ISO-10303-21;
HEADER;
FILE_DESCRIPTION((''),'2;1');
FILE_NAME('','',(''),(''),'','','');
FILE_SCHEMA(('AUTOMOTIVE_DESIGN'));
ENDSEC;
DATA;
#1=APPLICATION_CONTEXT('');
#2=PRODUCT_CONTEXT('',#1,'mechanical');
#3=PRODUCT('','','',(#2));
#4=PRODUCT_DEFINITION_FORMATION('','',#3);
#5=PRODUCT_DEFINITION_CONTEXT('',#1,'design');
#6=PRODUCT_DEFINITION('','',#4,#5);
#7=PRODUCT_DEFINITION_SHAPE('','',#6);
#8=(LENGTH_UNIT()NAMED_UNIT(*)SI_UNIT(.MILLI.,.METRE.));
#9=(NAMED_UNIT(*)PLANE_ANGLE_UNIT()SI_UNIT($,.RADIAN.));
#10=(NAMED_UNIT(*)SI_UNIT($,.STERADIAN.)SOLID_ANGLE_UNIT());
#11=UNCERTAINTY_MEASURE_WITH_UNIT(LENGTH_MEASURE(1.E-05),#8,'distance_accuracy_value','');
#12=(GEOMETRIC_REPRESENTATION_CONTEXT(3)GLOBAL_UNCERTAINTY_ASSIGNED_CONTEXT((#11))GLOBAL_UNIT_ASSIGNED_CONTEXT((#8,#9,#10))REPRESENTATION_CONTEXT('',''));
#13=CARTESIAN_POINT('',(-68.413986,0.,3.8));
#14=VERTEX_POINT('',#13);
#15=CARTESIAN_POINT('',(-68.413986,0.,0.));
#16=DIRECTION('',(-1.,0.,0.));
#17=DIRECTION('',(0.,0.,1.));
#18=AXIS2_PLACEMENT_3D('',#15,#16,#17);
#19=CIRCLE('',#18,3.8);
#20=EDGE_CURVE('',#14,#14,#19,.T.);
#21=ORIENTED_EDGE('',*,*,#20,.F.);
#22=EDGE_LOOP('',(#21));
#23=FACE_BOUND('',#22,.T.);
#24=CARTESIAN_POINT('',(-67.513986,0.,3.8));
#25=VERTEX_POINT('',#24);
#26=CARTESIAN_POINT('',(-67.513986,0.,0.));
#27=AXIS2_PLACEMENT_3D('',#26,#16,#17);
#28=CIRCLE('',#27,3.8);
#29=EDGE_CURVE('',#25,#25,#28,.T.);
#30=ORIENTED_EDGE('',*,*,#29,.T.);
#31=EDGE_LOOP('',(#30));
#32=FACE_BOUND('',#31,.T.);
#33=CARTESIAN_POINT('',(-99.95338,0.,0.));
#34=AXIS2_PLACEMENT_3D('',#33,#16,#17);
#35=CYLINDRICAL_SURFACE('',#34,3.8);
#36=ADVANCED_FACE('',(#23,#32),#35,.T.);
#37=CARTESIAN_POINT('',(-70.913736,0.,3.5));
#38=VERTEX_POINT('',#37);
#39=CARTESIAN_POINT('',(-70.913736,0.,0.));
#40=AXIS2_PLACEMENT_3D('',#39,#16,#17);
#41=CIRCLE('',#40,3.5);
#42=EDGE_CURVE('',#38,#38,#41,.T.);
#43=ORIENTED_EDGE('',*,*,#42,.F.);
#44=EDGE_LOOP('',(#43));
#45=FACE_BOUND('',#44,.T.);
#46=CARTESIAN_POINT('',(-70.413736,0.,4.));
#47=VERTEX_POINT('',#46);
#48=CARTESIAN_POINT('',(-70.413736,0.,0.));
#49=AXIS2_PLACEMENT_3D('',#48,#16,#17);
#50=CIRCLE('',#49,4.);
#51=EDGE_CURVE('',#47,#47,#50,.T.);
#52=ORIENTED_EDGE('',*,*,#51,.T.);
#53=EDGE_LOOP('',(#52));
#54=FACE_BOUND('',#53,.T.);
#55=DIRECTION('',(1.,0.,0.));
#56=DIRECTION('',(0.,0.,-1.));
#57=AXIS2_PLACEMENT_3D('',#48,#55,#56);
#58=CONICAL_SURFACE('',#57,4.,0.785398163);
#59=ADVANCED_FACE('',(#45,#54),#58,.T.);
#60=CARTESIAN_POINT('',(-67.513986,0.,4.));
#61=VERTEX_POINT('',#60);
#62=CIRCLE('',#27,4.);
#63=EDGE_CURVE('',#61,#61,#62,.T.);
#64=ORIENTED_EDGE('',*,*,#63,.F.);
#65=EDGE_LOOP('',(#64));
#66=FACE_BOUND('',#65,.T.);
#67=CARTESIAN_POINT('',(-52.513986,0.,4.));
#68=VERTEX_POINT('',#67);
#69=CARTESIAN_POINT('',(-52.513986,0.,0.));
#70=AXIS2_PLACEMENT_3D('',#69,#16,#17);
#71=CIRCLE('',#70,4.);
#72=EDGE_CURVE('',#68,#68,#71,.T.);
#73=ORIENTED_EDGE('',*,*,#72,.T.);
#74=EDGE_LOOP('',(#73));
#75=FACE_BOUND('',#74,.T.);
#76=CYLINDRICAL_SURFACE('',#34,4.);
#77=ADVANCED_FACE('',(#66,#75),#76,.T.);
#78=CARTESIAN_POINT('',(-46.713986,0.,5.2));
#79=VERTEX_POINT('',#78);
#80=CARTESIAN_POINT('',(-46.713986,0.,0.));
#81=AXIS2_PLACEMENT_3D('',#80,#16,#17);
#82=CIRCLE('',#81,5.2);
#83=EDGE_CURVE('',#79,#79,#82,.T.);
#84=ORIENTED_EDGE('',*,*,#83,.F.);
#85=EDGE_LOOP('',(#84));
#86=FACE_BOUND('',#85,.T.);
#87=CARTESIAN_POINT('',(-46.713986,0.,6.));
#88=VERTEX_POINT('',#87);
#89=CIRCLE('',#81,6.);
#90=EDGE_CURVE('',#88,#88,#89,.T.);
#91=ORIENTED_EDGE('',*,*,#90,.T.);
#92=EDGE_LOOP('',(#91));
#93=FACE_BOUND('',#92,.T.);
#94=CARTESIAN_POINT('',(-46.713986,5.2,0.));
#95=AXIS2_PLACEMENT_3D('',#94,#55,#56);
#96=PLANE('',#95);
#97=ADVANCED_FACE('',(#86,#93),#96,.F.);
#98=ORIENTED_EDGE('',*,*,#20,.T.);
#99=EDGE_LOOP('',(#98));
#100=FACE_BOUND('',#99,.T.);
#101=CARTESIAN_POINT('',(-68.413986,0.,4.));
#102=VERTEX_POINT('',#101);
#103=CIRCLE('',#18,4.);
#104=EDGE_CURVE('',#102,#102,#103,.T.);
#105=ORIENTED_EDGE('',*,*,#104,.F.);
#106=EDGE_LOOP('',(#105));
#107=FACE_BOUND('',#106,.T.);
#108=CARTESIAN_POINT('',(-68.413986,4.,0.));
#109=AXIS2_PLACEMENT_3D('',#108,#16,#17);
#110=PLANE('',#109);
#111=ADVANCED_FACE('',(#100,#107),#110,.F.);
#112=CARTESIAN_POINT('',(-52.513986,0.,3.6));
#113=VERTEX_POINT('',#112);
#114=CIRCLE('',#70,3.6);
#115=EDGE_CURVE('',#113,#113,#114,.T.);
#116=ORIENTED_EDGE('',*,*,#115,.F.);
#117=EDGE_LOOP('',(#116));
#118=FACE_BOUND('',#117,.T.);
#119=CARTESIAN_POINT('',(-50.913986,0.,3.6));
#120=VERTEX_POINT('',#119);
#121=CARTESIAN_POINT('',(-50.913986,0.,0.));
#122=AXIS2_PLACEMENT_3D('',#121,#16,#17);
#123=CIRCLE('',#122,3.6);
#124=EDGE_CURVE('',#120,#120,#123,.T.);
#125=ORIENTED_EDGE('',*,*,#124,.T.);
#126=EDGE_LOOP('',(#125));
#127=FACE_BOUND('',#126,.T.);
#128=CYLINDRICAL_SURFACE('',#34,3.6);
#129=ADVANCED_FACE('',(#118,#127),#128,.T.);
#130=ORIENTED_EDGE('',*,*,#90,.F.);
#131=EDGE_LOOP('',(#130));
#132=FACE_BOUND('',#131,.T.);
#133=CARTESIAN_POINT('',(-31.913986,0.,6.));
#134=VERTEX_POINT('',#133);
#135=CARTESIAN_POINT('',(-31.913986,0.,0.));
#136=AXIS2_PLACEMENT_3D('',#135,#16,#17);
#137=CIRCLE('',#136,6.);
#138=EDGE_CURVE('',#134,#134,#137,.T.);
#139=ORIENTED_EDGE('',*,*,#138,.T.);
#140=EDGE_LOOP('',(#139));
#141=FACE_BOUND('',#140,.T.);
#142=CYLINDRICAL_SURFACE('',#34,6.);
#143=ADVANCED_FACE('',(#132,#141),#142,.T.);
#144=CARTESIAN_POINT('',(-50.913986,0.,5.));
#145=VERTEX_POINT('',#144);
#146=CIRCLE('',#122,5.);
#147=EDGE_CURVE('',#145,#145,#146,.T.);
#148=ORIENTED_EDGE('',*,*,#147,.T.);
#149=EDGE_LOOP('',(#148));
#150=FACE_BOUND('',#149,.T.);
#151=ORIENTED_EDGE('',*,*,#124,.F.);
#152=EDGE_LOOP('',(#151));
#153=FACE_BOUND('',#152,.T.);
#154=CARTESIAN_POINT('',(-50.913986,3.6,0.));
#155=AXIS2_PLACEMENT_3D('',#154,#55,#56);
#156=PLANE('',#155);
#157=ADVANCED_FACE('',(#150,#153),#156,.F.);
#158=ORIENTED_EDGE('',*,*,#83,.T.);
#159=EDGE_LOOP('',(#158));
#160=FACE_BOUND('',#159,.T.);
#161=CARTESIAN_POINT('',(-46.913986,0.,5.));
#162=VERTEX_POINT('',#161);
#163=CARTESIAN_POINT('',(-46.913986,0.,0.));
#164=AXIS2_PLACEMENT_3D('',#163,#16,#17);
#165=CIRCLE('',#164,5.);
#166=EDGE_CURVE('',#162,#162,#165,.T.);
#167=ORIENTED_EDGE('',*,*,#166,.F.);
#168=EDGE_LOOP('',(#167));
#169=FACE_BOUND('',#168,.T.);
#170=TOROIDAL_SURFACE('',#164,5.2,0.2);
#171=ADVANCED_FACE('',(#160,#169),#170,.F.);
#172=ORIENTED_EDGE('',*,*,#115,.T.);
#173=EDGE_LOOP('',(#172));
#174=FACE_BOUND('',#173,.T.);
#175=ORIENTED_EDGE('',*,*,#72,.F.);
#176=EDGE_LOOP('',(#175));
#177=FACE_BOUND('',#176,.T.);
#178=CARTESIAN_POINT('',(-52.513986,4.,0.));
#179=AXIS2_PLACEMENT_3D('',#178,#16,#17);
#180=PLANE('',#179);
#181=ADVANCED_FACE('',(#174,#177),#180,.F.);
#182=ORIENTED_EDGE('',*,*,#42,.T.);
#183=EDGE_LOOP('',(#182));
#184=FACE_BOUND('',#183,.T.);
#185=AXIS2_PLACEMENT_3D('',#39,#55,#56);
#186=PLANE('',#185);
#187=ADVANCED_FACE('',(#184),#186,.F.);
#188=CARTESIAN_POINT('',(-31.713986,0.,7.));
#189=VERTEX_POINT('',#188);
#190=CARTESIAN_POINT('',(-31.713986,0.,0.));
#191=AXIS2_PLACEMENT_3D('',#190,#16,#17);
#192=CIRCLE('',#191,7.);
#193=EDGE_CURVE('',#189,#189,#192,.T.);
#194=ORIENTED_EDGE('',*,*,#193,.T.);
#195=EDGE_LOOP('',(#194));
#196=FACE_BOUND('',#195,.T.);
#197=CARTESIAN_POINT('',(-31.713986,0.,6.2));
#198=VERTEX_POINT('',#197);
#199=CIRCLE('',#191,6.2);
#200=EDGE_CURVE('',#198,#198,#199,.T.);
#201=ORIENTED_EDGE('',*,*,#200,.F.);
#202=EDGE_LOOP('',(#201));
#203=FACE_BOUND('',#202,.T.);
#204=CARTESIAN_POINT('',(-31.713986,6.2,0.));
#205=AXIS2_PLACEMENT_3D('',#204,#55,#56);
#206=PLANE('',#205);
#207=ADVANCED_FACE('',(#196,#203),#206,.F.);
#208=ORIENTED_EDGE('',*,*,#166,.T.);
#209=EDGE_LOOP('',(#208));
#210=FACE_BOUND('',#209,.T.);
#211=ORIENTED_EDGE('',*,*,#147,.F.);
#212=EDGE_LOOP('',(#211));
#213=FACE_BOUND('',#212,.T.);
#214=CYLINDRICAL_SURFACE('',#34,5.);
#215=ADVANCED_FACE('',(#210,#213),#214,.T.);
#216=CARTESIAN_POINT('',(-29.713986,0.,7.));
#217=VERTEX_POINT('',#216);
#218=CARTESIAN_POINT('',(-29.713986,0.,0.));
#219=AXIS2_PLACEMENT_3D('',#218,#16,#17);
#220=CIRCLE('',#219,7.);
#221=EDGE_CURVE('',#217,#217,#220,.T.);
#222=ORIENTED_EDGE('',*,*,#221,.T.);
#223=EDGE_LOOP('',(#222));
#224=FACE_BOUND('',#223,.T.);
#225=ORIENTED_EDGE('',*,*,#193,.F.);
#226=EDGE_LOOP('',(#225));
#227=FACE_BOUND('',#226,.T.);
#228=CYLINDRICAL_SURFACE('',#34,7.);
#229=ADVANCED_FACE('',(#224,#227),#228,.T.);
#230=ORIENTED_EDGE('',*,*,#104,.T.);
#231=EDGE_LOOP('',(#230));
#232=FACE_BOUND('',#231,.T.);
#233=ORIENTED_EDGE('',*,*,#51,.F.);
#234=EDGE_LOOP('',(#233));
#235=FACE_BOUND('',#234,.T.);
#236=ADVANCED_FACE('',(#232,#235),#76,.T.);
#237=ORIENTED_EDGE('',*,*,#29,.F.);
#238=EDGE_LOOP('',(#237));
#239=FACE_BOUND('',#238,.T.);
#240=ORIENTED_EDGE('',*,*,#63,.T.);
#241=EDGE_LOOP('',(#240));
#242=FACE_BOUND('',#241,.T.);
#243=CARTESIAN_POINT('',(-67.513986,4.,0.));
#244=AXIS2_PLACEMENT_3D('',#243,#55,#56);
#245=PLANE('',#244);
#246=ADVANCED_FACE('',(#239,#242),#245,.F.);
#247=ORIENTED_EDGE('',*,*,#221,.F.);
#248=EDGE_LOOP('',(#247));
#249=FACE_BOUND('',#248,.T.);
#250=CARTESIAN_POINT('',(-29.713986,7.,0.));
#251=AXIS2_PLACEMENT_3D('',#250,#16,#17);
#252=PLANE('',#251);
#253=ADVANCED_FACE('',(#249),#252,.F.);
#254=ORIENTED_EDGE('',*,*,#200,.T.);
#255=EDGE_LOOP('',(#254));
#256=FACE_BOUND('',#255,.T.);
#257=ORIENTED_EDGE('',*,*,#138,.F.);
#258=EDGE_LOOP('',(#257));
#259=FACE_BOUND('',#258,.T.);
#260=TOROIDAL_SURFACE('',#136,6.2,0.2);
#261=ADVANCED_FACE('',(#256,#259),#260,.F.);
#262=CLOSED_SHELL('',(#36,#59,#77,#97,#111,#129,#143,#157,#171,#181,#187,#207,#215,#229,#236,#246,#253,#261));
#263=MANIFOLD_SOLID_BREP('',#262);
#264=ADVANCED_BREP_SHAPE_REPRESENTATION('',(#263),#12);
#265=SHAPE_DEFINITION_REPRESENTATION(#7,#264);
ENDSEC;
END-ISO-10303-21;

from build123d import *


with BuildPart() as part:
    # 草图1 → 旋转1 (revolve)
    with BuildSketch(Plane.XY):
        with BuildLine():
            Line((-70.913736012, 0), (-70.913736012, 3.5))
            Line((-70.913736012, 3.5), (-70.413736012, 4))
            Line((-70.413736012, 4), (-68.413986014, 4))
            Line((-68.413986014, 4), (-68.413986014, 3.8))
            Line((-68.413986014, 3.8), (-67.513986014, 3.8))
            Line((-67.513986014, 3.8), (-67.513986014, 4))
            Line((-67.513986014, 4), (-52.513986014, 4))
            Line((-52.513986014, 4), (-52.513986014, 3.6))
            Line((-52.513986014, 3.6), (-50.913986014, 3.6))
            Line((-50.913986014, 3.6), (-50.913986014, 4.1))
            Line((-50.913986014, 4.1), (-50.913986014, 5))
            Line((-50.913986014, 5), (-46.913986014, 5))
            ThreePointArc((-46.913986014, 5), (-46.772564658, 5.058578644), (-46.713986014, 5.2))
            Line((-46.713986014, 5.2), (-46.713986014, 6))
            Line((-46.713986014, 6), (-31.913986014, 6))
            ThreePointArc((-31.913986014, 6), (-31.772564658, 6.058578644), (-31.713986014, 6.2))
            Line((-31.713986014, 6.2), (-31.713986014, 7))
            Line((-31.713986014, 7), (-29.713986014, 7))
            Line((-29.713986014, 7), (-29.713986014, 0))
            Line((-29.713986014, 0), (-70.913736012, 0))
        make_face()
    revolve(axis=Axis((-99.953379953, 0, 0), (1, 0, 0)))


solid = part.part
